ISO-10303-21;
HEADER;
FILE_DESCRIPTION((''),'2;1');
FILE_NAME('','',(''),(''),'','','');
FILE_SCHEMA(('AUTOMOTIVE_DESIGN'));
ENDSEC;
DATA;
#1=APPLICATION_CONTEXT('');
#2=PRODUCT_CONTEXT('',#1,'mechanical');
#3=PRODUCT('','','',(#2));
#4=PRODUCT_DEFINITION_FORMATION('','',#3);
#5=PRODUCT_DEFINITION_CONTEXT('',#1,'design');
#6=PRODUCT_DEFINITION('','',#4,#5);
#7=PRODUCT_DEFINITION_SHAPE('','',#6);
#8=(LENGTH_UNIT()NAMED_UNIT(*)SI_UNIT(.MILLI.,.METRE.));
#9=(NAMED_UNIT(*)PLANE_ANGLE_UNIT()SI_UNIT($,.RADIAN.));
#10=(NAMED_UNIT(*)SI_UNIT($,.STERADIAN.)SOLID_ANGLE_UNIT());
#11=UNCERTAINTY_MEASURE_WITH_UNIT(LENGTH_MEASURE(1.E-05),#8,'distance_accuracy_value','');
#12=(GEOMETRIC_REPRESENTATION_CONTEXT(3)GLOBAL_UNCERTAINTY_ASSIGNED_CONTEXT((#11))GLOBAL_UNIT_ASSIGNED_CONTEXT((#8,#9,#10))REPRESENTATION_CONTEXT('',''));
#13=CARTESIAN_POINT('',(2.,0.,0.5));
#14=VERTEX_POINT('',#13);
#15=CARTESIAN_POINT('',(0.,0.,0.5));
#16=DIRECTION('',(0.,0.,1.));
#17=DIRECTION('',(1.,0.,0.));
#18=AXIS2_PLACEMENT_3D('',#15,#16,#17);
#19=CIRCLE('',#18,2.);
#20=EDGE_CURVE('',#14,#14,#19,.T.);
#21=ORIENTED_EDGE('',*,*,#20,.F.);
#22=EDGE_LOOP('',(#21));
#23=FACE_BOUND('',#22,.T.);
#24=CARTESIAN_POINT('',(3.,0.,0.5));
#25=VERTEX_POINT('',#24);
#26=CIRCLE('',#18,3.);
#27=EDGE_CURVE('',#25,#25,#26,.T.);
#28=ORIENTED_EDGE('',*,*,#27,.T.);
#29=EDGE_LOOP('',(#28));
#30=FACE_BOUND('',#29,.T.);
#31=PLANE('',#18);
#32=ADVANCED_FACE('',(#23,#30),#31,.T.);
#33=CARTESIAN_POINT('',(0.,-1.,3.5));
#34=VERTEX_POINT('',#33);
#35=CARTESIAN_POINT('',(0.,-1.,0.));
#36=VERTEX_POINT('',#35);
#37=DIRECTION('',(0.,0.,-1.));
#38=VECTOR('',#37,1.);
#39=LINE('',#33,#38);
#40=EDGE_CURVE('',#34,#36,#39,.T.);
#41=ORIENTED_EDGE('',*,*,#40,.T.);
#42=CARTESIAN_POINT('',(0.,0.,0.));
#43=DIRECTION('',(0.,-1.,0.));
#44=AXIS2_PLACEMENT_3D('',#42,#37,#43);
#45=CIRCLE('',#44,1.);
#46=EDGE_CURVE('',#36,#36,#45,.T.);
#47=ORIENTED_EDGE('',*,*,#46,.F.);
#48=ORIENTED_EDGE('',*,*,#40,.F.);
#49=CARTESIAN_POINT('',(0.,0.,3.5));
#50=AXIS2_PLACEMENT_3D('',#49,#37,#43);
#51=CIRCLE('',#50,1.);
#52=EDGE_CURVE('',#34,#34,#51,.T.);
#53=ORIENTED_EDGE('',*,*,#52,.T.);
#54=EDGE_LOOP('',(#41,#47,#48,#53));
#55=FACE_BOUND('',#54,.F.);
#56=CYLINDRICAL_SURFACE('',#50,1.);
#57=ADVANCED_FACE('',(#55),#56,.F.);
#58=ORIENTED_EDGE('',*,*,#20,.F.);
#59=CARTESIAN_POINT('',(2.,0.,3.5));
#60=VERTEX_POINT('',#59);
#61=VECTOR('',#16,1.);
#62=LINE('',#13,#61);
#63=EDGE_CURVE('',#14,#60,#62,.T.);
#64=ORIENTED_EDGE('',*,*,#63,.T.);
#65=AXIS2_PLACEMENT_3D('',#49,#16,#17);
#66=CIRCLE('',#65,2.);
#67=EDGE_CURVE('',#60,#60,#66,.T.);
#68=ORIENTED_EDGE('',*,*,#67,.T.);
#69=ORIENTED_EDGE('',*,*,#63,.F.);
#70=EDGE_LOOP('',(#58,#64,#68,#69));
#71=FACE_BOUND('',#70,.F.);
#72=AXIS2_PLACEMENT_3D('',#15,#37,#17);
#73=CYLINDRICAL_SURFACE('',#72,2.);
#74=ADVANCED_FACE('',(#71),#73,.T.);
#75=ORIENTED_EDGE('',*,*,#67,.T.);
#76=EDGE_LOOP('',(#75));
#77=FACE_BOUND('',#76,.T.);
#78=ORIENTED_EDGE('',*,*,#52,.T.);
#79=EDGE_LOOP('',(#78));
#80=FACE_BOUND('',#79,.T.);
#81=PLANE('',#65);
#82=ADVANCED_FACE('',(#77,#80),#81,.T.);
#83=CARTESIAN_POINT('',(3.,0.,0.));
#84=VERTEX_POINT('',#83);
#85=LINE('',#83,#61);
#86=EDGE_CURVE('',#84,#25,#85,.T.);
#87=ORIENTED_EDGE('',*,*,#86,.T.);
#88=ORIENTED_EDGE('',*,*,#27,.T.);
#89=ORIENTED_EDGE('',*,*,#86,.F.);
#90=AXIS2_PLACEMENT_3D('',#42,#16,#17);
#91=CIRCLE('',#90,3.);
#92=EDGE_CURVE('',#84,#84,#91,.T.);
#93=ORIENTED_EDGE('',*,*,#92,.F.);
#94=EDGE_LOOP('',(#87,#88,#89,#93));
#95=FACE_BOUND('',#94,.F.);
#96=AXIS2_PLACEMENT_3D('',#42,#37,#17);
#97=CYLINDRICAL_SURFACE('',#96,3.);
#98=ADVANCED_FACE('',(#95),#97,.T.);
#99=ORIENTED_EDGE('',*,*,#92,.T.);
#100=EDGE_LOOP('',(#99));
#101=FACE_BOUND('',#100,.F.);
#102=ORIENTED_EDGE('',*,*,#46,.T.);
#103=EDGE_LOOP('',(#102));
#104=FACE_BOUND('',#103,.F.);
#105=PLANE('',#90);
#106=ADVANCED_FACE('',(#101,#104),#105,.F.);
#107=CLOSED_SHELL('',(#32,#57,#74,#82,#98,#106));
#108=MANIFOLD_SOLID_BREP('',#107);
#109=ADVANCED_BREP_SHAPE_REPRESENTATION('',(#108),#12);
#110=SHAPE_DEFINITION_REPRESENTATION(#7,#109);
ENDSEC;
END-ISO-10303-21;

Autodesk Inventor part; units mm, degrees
ref_plane "YZ Plane" through (0, 0, 0) normal (1, 0, 0) x (0, 1, 0)
ref_plane "XZ Plane" through (0, 0, 0) normal (0, 1, 0) x (-1, 0, 0)
ref_plane "XY Plane" through (0, 0, 0) normal (0, 0, 1) x (1, 0, 0)
sketch "Sketch1" plane through (0, 0, 0) normal (0, 0, 1) x (1, 0, 0)
  circle A0 centre (0, 0) radius 3
  dimension "d0" = 6
extrude "Extrusion1" add sketch "Sketch1" along normal blind 0.5
sketch "Sketch2" plane through (0, 0, 0.5) normal (0, 0, 1) x (1, 0, 0)
  circle A0 centre (0, 0) radius 3 projected
  circle A1 centre (0, 0) radius 2
  dimension "d3" = 4
extrude "Extrusion2" add sketch "Sketch2" along normal blind 3 contours A1
hole "Hole1" at (0, 0, 3.5) direction (0, 0, -1) diameter 2 depth 3.5
